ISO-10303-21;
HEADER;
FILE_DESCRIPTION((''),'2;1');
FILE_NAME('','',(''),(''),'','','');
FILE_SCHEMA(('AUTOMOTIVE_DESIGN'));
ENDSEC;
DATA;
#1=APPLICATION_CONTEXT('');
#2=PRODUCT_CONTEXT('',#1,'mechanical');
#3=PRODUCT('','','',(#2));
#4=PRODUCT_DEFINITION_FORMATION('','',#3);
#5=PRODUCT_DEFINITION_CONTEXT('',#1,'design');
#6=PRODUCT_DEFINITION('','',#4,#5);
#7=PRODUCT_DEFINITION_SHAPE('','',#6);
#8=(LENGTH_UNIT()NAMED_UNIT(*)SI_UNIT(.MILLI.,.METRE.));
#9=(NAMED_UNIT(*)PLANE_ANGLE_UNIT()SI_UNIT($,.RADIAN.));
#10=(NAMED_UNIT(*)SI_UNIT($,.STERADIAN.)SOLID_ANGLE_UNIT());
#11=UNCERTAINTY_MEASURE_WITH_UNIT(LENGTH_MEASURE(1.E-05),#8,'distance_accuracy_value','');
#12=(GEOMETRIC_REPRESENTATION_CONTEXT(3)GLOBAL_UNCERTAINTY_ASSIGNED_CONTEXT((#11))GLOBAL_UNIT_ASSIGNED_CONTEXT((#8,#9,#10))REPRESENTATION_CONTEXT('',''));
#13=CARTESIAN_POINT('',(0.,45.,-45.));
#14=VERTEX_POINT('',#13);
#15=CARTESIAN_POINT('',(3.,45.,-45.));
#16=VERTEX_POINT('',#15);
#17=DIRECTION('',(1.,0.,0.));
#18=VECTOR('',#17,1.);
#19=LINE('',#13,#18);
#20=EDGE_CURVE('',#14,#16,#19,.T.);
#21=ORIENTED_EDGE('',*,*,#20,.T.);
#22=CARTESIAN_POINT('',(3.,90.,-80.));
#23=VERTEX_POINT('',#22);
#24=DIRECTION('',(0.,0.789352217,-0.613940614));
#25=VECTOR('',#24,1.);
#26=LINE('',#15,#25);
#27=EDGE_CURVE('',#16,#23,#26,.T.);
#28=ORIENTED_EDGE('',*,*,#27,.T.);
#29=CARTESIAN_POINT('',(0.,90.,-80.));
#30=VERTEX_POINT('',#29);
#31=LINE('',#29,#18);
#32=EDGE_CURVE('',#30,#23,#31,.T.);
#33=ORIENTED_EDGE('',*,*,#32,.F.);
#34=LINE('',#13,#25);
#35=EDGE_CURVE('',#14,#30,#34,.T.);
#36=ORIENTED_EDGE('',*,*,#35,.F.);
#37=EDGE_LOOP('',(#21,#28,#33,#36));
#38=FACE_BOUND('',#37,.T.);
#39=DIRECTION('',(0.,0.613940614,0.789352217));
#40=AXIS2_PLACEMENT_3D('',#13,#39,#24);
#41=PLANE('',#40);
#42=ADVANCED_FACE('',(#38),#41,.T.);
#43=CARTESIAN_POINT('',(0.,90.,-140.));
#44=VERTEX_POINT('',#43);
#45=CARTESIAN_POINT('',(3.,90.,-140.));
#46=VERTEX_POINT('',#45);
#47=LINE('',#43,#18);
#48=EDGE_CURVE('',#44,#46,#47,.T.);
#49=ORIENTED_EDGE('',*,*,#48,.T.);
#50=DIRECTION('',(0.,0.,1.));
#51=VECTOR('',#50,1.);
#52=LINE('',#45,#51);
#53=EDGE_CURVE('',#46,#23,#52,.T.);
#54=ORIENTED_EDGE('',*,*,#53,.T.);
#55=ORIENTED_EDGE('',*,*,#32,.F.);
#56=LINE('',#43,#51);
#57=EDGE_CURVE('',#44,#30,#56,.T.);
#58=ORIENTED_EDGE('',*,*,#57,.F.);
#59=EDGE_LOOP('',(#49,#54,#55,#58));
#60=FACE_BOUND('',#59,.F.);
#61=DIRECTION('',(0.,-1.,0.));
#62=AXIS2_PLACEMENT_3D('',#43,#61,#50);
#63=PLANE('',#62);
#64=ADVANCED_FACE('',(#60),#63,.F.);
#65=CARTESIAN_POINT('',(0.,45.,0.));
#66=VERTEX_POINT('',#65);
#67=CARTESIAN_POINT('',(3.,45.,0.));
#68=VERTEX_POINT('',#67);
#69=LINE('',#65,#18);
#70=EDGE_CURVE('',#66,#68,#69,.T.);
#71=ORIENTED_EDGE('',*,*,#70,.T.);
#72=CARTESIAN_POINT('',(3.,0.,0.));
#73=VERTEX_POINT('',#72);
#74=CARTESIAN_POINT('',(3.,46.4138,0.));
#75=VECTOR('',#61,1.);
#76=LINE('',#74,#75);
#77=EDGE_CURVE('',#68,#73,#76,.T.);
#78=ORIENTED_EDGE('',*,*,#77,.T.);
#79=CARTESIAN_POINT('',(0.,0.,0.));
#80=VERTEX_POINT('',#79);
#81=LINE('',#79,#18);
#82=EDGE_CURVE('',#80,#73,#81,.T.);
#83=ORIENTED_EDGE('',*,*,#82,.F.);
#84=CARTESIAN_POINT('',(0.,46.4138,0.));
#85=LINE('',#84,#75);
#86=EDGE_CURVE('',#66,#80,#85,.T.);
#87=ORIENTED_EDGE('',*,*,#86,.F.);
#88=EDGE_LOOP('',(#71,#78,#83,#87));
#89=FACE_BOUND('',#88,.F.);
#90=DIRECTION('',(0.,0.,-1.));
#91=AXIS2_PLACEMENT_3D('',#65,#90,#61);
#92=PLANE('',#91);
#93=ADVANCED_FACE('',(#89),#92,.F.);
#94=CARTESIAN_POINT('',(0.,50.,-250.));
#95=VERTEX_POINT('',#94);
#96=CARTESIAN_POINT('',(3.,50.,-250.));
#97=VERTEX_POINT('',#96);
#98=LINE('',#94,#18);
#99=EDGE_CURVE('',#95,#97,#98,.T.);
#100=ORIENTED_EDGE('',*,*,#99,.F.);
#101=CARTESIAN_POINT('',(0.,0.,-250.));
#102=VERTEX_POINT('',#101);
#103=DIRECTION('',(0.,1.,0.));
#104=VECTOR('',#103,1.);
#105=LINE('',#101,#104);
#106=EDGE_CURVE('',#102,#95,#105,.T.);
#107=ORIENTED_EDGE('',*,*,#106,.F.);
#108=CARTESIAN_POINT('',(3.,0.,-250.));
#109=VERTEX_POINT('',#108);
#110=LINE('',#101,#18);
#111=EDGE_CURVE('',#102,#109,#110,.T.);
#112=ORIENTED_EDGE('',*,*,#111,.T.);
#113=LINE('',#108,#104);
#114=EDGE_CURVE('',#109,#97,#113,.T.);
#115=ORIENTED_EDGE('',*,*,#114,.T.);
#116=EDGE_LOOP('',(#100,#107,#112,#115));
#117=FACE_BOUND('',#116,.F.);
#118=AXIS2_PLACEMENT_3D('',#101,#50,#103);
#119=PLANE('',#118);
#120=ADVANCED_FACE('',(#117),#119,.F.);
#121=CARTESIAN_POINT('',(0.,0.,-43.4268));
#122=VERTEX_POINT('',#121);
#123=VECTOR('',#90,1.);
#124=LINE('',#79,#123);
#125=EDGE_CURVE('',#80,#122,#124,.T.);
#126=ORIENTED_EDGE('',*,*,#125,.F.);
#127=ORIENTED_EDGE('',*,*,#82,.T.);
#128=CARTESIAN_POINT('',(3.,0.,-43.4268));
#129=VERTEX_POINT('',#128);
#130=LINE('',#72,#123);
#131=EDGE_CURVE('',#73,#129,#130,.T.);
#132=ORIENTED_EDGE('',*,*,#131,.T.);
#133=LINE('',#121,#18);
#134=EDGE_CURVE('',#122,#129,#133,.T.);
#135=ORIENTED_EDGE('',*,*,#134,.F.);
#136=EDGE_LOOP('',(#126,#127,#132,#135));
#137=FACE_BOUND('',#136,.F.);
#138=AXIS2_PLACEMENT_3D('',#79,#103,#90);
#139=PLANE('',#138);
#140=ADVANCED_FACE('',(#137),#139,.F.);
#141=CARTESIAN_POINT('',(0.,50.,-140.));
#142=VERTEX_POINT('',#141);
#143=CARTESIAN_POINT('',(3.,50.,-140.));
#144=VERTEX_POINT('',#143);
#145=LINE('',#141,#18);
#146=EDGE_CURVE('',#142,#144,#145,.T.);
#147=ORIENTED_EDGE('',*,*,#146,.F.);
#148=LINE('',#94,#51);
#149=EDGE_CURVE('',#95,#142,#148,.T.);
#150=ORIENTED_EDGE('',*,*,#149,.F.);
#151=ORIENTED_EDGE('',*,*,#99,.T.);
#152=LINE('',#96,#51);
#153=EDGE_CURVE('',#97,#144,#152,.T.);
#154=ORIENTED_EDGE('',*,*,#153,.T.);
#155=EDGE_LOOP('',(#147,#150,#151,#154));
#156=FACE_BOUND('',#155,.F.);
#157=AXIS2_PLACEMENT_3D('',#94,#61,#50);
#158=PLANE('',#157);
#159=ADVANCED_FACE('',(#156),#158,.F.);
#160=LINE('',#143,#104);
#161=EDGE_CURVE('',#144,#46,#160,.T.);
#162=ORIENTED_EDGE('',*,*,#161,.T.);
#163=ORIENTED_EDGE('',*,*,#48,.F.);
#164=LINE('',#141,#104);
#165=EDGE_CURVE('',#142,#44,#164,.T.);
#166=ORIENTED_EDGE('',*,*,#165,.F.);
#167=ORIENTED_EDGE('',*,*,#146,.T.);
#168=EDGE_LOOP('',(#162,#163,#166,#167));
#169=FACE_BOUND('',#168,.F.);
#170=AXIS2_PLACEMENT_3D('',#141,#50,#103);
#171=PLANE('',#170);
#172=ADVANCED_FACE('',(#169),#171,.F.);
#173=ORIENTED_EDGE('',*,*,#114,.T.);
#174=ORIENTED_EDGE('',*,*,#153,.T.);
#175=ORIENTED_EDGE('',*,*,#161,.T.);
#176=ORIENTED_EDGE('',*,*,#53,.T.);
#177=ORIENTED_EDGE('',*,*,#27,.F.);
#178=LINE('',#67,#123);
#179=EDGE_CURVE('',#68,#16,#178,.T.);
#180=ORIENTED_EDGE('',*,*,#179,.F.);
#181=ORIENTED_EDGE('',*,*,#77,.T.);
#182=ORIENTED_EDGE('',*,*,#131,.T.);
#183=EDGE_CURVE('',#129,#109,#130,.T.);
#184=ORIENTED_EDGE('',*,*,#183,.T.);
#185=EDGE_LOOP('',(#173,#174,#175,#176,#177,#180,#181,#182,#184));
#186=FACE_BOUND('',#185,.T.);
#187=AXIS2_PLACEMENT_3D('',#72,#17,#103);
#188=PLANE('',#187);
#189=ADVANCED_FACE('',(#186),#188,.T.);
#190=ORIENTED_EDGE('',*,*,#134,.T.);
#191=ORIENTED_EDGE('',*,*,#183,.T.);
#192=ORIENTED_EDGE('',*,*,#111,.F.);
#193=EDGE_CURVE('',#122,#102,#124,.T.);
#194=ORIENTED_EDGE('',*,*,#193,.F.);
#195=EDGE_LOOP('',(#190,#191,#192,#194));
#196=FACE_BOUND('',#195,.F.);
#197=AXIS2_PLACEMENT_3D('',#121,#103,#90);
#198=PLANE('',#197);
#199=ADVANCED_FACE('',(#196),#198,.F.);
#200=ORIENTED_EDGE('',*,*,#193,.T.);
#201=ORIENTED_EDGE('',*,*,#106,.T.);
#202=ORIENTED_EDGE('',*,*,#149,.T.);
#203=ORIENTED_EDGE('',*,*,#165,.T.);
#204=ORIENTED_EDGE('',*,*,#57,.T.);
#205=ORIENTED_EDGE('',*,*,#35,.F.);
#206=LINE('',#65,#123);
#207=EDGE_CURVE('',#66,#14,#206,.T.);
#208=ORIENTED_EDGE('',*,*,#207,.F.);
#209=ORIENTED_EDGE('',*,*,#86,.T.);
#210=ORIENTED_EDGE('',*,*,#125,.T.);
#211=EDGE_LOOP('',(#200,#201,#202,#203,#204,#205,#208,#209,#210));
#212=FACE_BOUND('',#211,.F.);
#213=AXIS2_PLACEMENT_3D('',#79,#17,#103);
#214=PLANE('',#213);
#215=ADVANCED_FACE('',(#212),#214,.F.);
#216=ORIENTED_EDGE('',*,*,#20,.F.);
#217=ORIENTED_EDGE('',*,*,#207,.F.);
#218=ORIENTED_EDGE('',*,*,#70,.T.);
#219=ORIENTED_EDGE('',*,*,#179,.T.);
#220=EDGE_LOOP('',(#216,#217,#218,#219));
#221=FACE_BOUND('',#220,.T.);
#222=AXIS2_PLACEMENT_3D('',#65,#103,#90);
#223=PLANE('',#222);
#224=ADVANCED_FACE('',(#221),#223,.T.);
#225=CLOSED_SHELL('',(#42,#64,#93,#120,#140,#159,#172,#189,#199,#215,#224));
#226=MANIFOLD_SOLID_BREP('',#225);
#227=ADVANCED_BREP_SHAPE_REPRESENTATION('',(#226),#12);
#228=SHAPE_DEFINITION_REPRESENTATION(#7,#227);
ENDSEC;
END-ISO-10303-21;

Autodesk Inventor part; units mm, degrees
ref_plane "YZ Plane" through (0, 0, 0) normal (1, 0, 0) x (0, 1, 0)
ref_plane "XZ Plane" through (0, 0, 0) normal (0, 1, 0) x (-1, 0, 0)
ref_plane "XY Plane" through (0, 0, 0) normal (0, 0, 1) x (1, 0, 0)
sketch "Sketch1" plane through (0, 0, 0) normal (1, 0, 0) x (0, 1, 0)
  line L0 (0, 0) -> (0, -250)
  line L1 (0, -250) -> (50, -250)
  line L2 (50, -250) -> (50, -140)
  line L3 (50, -140) -> (90, -140)
  line L4 (90, -140) -> (90, -80)
  line L5 (90, -80) -> (157.3677, -80) construction
  line L6 (90, -80) -> (146.3502, -80) construction
  line L7 (46.4138, 0) -> (0, 0)
  line L8 (90, -80) -> (146.8977, -80) construction
  line L9 (0, -43.4268) -> (0, 0)
  line L10 (0, 0) -> (46.4138, 0)
  line L11 (0, 0) -> (45, 0)
  line L12 (0, 0) -> (45, 0) construction
  line L13 (45, 0) -> (45, -45)
  line L14 (45, -45) -> (90, -80)
  dimension "d0" = 250
  dimension "d1" = 50
  dimension "d2" = 110
  dimension "d3" = 40
  dimension "d4" = 60
  dimension "d8" = 45
  dimension "d9" = 0
  dimension "d10" = 45
extrude "Extrusion1" add sketch "Sketch1" along normal blind 3
properties part number "zijkant"
